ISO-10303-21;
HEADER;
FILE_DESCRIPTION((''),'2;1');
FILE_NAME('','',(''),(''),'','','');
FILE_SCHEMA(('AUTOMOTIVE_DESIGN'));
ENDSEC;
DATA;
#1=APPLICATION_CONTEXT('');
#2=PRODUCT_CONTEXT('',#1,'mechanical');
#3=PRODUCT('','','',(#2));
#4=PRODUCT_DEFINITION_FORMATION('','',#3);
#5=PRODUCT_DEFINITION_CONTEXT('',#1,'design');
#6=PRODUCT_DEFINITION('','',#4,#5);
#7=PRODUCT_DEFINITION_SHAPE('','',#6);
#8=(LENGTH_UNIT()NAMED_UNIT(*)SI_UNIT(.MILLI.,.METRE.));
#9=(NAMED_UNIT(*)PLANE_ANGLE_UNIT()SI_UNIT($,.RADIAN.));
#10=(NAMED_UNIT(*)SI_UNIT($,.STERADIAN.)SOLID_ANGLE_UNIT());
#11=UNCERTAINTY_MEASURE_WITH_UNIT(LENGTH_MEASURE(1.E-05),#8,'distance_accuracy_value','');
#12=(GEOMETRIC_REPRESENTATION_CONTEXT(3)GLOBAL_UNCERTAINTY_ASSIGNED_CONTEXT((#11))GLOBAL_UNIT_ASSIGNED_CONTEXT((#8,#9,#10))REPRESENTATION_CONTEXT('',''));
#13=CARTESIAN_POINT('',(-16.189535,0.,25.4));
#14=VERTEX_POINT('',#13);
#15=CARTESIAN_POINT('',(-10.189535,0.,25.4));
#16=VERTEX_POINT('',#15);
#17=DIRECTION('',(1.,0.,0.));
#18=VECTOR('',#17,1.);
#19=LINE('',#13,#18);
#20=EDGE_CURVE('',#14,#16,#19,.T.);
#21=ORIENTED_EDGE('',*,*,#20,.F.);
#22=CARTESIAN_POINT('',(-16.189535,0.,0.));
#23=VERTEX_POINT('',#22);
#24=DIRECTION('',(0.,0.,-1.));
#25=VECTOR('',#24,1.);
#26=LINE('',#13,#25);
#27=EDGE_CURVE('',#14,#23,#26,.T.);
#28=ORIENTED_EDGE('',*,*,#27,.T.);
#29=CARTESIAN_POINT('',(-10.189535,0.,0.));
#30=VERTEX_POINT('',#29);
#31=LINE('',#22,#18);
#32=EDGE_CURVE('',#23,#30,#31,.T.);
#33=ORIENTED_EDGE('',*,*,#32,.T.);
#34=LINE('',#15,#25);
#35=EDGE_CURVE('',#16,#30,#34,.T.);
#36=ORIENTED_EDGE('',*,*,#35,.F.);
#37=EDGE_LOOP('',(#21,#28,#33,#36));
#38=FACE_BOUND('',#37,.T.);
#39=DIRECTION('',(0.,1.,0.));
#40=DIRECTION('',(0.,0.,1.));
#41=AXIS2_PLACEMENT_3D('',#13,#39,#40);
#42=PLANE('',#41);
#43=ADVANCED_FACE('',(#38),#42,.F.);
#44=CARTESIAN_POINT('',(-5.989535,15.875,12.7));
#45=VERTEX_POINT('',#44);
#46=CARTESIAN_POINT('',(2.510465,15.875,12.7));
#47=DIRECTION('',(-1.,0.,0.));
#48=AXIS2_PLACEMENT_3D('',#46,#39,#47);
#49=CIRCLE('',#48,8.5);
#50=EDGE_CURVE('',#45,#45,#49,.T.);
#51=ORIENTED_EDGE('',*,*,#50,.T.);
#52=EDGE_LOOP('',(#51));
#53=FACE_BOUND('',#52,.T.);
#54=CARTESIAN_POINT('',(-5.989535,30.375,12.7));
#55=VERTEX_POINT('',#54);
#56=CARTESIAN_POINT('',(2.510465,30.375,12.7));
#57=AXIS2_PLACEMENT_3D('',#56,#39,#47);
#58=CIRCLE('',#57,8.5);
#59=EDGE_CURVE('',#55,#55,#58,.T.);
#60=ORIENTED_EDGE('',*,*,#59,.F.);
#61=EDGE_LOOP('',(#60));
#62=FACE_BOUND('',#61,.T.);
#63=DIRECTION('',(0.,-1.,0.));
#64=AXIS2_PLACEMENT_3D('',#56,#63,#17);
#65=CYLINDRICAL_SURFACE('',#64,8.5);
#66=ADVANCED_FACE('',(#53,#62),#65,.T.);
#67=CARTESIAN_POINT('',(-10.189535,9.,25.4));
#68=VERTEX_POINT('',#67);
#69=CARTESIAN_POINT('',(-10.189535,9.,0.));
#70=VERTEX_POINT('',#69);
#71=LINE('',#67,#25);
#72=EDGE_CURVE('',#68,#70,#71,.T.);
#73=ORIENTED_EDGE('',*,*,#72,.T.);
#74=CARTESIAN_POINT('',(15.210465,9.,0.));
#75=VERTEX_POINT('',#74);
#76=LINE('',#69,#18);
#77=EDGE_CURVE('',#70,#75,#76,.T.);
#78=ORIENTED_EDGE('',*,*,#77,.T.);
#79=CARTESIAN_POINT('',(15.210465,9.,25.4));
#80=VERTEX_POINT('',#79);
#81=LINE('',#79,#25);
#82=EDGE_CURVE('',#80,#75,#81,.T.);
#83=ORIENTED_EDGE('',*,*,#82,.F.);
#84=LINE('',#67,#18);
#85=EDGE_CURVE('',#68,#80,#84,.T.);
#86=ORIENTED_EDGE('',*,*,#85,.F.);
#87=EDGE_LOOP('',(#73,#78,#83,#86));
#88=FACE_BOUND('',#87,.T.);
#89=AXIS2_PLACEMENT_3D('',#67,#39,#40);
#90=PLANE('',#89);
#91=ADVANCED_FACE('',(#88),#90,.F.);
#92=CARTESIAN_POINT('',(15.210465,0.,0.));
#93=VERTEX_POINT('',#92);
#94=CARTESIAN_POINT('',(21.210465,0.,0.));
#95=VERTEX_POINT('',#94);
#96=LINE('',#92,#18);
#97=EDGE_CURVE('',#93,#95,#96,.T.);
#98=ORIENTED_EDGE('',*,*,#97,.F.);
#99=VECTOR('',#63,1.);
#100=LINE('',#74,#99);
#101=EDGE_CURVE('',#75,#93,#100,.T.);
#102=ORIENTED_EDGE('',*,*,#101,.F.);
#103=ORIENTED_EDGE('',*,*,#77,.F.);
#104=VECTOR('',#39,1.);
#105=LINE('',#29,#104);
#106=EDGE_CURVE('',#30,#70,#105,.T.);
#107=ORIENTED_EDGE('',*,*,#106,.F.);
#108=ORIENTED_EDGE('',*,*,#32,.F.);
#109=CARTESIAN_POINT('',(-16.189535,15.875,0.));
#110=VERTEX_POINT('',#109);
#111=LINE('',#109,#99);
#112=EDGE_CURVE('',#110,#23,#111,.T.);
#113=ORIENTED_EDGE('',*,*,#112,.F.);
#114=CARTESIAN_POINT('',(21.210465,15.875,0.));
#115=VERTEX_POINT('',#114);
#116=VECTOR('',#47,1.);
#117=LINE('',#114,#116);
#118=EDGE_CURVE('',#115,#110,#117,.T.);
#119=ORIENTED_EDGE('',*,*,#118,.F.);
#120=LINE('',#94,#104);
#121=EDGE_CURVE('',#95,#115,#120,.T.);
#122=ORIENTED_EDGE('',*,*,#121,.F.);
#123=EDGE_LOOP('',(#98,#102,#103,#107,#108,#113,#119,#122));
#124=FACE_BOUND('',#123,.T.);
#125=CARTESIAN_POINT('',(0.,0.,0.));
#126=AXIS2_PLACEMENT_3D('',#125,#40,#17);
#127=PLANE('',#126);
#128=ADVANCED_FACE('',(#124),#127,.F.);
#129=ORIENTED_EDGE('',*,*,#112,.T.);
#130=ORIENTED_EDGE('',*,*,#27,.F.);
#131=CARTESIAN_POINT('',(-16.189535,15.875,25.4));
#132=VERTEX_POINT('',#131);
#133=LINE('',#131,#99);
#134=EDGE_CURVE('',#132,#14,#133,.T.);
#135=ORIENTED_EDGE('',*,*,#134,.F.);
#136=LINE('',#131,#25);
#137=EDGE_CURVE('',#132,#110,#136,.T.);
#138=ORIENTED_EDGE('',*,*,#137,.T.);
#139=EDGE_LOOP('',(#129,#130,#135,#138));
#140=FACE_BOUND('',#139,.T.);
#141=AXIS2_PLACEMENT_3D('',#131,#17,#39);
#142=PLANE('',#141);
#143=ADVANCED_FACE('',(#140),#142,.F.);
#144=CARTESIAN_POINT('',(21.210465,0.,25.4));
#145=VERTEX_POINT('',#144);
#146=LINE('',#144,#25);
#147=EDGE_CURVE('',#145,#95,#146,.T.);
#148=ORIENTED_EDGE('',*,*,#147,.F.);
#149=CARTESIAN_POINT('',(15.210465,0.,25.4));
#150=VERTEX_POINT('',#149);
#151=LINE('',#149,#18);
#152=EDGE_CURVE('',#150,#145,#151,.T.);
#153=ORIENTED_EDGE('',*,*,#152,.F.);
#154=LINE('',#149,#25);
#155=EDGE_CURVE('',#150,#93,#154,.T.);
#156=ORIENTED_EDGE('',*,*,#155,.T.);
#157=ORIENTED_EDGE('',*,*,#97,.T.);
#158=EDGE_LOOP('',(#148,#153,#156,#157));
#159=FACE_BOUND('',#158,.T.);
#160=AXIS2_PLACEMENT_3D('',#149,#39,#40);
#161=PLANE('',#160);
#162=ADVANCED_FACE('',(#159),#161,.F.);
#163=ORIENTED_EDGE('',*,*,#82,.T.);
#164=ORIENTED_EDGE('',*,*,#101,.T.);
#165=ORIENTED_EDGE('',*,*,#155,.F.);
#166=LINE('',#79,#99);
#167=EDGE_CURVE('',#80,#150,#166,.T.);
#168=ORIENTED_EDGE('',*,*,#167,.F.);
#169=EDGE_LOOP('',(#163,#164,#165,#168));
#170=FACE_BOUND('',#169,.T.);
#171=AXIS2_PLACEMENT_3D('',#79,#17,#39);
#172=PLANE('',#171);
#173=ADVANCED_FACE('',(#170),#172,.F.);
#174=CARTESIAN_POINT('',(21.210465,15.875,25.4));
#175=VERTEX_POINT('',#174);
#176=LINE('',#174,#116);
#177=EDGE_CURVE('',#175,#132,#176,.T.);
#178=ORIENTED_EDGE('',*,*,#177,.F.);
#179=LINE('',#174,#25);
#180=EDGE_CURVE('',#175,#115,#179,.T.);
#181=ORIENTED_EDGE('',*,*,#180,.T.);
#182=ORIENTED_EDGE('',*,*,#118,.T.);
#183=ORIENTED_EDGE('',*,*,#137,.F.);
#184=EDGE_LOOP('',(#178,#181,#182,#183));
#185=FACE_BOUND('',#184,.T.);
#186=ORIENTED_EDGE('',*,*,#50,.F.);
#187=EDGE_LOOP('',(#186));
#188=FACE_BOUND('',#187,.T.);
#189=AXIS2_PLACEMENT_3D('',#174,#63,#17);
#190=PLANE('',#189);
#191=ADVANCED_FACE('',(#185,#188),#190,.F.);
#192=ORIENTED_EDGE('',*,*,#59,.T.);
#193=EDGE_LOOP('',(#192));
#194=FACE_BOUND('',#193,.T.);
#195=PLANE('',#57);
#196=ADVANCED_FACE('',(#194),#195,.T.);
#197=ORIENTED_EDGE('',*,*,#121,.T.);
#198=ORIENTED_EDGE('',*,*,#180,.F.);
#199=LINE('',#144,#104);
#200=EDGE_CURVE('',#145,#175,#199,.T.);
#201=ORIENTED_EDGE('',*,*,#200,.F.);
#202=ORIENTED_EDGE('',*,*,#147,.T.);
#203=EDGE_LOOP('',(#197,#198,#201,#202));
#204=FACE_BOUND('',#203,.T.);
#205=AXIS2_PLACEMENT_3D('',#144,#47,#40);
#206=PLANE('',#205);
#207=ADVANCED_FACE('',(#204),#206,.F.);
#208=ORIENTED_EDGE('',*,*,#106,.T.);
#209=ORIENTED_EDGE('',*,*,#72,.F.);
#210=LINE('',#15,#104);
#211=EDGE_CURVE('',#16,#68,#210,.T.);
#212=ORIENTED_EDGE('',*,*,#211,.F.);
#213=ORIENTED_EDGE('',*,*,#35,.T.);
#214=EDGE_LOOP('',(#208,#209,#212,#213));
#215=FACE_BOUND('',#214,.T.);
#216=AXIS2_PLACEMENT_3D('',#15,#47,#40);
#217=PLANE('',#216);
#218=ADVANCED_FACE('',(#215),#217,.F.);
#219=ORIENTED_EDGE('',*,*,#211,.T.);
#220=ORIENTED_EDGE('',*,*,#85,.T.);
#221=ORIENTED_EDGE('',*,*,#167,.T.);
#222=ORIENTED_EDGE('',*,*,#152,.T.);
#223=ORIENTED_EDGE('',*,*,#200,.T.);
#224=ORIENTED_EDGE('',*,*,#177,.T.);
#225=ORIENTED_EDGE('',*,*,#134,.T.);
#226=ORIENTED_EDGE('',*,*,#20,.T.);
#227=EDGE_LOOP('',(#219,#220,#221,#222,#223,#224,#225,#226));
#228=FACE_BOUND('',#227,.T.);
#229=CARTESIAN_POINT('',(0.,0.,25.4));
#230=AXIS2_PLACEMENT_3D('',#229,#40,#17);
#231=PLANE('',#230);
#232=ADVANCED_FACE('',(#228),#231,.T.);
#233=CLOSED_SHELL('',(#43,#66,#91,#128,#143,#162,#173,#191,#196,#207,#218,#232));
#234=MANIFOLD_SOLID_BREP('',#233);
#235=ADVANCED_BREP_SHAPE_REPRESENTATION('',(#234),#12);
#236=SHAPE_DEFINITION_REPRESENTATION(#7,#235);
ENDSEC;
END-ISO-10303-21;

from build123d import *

# Parameters (mm, degrees)
BOSS_EXTRUDE1_DEPTH = 25.4
SKETCH2_R           = 8.5
BOSS_EXTRUDE2_DEPTH = 14.5


with BuildPart() as part:
    # Sketch1 → Boss-Extrude1 (new body)
    with BuildSketch(Plane.XY):
        Polygon((-10.189534884, 0), (-10.189534884, 9), (15.210465116, 9), (15.210465116, 0), (21.210465116, 0), (21.210465116, 15.875), (-16.189534884, 15.875), (-16.189534884, 0), align=None)
    extrude(amount=BOSS_EXTRUDE1_DEPTH)

    # Sketch2 → Boss-Extrude2 (add)
    with BuildSketch(Plane(origin=(0, 15.875, 0), x_dir=(1, 0, 0), z_dir=(0, 1, 0))):
        with Locations((2.510465116, -12.7)):
            Circle(SKETCH2_R)
    extrude(amount=BOSS_EXTRUDE2_DEPTH)


solid = part.part
